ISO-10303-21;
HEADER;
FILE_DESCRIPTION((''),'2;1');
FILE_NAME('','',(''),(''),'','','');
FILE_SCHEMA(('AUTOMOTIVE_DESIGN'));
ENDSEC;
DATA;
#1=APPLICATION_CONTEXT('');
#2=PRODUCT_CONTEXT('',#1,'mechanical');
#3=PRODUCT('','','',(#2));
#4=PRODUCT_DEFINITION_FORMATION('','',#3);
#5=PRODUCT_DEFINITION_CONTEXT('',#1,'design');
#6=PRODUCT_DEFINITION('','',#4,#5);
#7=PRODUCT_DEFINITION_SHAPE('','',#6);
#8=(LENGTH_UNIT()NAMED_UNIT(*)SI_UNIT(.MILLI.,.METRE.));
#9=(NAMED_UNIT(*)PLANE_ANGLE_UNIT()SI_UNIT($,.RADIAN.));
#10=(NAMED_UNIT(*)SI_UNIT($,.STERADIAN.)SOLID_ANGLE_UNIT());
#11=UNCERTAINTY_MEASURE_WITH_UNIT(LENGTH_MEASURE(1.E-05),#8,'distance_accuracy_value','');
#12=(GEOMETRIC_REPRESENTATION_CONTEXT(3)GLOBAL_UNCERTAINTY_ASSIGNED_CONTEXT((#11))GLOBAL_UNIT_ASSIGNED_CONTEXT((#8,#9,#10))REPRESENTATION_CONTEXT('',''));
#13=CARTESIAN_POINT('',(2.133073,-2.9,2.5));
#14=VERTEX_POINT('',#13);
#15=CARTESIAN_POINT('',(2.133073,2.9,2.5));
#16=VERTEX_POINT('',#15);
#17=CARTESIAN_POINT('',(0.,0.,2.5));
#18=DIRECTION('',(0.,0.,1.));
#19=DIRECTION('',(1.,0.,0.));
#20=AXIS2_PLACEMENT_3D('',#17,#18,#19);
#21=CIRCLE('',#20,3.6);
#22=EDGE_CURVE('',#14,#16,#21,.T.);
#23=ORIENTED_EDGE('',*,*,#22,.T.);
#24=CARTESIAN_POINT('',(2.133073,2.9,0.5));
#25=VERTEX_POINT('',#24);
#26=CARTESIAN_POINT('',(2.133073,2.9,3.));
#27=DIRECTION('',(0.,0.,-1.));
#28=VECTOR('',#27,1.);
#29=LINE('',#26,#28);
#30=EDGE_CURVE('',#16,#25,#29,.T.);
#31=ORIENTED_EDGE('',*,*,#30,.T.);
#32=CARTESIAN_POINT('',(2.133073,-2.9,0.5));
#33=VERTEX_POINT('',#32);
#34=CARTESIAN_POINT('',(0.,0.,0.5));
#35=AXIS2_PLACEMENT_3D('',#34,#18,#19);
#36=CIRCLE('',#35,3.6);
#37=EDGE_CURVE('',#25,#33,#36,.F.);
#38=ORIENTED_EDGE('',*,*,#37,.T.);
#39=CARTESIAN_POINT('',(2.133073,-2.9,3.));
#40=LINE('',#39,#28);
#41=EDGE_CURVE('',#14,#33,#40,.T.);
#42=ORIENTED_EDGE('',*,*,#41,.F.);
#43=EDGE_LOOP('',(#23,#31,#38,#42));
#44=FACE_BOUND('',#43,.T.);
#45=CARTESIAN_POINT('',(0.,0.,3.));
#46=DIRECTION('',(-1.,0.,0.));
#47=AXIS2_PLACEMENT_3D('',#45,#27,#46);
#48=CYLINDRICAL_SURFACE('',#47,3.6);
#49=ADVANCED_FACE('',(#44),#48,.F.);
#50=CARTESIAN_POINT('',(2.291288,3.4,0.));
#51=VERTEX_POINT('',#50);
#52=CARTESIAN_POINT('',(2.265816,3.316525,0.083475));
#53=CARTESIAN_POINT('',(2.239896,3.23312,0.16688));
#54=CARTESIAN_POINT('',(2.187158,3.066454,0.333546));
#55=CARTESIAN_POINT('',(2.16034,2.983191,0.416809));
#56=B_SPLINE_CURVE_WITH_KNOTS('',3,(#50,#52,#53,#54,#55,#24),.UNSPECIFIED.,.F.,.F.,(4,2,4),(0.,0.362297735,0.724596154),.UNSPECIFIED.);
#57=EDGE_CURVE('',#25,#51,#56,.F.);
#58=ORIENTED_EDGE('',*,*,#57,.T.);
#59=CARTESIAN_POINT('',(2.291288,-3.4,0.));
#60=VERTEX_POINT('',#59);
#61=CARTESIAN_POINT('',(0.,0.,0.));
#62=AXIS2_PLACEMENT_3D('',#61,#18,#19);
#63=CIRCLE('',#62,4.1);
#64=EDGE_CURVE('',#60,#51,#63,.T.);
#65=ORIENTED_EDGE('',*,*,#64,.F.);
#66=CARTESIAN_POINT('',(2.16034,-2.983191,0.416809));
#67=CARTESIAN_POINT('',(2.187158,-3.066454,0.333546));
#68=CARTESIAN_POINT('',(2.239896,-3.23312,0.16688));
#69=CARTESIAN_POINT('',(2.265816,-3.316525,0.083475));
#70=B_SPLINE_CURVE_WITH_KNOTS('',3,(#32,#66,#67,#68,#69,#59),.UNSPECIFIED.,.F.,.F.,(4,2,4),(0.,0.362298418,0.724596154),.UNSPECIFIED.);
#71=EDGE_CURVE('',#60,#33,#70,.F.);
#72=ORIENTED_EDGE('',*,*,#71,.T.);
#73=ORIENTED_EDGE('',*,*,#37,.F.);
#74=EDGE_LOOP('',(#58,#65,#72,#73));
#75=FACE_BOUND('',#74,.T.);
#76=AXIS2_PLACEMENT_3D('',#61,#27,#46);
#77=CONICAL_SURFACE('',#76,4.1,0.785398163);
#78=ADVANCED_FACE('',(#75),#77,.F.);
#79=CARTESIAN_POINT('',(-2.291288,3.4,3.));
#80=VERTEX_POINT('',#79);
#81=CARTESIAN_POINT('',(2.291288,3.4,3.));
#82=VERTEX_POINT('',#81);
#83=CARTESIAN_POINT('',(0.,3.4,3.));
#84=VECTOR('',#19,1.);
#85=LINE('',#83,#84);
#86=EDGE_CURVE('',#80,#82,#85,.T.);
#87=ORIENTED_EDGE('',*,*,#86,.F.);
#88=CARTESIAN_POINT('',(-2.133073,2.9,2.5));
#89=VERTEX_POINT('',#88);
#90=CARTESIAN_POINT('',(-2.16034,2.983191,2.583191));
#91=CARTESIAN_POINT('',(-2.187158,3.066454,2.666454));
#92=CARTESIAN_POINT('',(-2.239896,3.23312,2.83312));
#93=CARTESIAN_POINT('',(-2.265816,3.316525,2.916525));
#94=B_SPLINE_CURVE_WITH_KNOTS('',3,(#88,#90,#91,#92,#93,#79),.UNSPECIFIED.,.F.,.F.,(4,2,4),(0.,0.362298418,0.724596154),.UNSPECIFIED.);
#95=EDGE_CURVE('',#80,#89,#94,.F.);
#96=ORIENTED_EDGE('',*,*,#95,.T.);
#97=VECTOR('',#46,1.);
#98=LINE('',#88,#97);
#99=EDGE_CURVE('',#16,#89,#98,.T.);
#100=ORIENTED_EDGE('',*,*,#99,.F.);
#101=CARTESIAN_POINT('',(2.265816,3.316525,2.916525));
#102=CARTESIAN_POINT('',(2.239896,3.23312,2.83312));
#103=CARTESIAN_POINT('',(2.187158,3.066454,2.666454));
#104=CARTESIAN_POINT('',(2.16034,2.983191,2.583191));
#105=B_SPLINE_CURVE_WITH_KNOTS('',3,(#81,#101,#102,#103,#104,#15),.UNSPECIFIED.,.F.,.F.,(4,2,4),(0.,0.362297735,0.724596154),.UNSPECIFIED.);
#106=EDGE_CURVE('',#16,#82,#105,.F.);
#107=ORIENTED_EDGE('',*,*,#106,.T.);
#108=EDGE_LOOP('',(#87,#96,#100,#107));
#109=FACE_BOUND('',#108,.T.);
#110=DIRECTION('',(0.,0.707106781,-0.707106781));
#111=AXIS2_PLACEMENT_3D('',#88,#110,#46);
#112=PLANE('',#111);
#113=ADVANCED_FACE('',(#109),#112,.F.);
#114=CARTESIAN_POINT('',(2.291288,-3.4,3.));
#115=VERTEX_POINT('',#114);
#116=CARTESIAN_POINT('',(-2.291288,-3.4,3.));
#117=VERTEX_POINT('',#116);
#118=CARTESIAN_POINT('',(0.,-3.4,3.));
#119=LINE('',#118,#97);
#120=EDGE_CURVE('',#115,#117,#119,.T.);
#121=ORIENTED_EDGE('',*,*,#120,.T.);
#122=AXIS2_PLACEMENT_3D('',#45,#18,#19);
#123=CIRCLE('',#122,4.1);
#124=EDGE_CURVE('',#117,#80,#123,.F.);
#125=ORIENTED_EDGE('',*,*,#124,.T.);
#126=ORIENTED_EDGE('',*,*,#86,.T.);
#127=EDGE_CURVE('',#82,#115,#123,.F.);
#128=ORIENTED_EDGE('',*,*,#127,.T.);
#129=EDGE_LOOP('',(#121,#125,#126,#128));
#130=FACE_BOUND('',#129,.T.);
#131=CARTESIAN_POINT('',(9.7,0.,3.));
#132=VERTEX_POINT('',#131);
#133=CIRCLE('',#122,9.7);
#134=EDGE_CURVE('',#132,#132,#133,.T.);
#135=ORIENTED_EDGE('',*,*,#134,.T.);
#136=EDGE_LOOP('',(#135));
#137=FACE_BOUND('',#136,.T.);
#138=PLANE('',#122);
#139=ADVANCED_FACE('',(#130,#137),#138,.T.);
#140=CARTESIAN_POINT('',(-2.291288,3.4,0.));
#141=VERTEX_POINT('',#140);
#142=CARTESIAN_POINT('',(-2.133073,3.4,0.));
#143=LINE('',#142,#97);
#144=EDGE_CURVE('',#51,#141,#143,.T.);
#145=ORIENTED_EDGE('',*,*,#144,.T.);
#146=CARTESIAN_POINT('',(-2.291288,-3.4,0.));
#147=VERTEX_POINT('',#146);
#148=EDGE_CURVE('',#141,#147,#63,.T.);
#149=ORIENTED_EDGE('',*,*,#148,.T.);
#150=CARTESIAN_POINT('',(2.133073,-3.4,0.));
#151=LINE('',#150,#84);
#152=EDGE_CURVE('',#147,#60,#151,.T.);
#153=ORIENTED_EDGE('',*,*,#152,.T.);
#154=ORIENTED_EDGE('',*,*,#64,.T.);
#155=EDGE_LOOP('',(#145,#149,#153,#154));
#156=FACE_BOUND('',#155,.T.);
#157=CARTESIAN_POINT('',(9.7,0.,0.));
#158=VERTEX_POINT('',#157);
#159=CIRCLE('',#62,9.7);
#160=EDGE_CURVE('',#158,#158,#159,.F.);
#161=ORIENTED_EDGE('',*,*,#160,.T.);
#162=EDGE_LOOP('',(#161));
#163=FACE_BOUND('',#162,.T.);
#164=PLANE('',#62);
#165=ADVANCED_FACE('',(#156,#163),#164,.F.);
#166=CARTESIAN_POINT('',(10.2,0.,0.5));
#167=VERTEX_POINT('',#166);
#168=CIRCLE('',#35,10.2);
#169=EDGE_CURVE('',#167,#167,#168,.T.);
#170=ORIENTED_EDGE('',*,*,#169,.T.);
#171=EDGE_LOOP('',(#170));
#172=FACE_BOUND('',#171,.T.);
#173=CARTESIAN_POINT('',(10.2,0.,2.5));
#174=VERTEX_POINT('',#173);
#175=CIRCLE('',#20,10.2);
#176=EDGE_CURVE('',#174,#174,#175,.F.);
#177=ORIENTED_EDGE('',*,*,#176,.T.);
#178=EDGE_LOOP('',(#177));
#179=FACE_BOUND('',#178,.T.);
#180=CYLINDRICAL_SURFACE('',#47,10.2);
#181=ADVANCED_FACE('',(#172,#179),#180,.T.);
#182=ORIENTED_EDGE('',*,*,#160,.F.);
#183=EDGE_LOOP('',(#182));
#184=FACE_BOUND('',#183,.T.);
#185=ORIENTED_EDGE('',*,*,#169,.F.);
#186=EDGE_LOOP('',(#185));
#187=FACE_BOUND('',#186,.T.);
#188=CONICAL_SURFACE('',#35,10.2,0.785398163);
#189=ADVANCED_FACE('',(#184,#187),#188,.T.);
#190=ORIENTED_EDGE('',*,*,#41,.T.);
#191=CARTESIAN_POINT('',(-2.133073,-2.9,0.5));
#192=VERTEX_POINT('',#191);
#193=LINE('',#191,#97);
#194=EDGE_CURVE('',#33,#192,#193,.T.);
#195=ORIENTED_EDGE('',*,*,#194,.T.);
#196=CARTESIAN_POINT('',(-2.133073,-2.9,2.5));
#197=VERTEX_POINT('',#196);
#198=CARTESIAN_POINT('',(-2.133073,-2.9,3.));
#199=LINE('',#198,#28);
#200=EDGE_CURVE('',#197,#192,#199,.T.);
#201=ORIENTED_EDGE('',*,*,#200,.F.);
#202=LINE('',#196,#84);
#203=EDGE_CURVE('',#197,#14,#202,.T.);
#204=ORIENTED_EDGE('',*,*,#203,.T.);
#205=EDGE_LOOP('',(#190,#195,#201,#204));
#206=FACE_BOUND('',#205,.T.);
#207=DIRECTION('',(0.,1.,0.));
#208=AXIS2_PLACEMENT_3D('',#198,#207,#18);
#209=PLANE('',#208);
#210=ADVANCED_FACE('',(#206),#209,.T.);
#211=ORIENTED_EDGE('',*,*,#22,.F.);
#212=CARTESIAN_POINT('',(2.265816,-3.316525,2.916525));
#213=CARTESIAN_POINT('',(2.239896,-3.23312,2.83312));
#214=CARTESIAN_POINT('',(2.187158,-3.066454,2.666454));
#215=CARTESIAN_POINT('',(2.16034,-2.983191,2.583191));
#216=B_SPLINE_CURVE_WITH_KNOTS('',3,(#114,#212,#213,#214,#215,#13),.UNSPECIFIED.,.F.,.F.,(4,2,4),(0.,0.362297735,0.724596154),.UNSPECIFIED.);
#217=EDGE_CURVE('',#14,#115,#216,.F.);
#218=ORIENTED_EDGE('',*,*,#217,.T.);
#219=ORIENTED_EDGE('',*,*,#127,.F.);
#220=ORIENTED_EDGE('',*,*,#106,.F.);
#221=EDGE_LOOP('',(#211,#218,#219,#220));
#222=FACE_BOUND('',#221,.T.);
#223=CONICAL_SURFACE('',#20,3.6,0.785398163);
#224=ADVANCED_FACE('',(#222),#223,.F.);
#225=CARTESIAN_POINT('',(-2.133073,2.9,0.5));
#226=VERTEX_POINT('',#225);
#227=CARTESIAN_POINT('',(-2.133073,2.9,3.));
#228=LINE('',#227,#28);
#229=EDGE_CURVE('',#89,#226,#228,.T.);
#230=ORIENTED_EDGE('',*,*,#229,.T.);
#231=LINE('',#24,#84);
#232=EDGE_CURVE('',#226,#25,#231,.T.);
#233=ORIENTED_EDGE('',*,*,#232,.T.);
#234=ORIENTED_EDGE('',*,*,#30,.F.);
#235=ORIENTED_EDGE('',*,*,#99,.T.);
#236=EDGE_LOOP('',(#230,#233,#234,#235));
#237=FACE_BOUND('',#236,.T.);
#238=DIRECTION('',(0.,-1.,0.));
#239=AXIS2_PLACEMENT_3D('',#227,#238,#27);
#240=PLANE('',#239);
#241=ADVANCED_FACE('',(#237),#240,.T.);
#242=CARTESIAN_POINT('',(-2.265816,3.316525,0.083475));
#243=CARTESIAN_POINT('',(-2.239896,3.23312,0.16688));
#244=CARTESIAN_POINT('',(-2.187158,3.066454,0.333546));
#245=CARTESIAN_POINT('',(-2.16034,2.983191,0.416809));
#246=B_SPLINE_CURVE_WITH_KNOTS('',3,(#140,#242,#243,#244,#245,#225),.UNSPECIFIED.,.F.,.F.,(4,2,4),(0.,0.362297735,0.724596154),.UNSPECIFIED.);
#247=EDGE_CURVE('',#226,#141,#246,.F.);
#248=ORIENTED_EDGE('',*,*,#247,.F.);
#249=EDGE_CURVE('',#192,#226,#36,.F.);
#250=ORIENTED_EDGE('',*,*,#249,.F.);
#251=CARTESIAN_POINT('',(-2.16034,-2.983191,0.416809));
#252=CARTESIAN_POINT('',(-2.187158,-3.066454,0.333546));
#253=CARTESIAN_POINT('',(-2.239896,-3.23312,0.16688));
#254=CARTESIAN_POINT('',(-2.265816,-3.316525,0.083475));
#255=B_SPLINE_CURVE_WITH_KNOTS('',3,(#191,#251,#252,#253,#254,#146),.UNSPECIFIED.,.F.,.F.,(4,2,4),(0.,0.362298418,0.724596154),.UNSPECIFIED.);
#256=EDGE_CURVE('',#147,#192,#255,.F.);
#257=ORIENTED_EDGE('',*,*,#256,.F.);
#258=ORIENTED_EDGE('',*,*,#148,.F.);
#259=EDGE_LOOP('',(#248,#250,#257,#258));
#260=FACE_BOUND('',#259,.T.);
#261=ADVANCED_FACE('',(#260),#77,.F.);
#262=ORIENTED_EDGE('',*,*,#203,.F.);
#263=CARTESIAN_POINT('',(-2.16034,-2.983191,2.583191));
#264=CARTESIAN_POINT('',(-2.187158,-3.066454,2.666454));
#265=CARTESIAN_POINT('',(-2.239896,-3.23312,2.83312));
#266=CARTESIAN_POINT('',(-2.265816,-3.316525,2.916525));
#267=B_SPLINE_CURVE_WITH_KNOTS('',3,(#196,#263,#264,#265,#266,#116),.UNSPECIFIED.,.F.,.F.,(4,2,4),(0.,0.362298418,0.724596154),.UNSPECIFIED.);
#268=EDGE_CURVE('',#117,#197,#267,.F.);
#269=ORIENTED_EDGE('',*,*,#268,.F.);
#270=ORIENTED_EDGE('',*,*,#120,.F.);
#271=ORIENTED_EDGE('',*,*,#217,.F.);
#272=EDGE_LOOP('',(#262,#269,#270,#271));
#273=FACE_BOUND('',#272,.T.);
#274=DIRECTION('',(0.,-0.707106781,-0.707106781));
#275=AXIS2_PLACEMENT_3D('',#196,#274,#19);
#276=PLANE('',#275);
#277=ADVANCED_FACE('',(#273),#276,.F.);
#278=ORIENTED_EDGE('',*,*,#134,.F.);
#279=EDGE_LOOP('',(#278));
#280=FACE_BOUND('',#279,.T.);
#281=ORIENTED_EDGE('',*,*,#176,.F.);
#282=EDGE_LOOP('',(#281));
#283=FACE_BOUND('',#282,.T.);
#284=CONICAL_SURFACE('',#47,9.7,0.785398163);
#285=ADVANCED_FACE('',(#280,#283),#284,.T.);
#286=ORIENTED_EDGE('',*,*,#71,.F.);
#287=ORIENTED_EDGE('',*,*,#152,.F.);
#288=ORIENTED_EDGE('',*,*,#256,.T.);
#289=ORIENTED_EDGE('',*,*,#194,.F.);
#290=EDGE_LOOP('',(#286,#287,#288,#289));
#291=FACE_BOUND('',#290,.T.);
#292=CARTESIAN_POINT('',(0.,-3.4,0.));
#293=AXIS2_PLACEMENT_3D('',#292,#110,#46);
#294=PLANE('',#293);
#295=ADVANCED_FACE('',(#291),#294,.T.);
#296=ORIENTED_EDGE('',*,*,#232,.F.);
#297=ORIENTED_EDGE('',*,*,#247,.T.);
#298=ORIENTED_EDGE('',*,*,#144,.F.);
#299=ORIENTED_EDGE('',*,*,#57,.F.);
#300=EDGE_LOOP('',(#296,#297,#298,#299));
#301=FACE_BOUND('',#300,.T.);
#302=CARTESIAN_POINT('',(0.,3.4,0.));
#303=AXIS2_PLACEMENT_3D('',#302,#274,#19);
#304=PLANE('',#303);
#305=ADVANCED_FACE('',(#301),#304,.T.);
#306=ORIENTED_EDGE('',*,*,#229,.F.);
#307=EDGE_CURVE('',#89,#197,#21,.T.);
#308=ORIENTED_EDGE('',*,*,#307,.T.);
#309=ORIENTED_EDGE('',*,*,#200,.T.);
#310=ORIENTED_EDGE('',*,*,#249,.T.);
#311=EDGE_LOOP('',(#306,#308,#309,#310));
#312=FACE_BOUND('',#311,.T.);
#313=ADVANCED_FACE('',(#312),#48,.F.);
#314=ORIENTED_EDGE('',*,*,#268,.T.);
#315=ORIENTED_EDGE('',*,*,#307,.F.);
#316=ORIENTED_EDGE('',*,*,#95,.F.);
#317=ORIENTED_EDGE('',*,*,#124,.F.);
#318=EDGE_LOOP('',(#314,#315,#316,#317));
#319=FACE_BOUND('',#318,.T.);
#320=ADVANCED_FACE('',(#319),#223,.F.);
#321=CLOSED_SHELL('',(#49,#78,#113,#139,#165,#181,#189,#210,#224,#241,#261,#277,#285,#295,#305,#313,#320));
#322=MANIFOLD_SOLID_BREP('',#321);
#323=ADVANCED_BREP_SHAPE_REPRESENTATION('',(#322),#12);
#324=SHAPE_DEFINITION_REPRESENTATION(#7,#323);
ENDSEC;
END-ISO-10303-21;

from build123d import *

# Parameters (mm, degrees)
SKETCH1_R           = 10.2
BOSS_EXTRUDE1_DEPTH = 3
CHAMFER1_SIZE       = 0.5


with BuildPart() as part:
    # Sketch1 → Boss-Extrude1 (new body)
    with BuildSketch(Plane.XY):
        Circle(SKETCH1_R)
        with BuildLine():
            Line((-2.133072901, 2.9), (2.133072901, 2.9))
            ThreePointArc((2.133072901, 2.9), (3.6, 0), (2.133072901, -2.9))
            Line((2.133072901, -2.9), (-2.133072901, -2.9))
            ThreePointArc((-2.133072901, -2.9), (-3.6, 0), (-2.133072901, 2.9))
        make_face(mode=Mode.SUBTRACT)
    extrude(amount=BOSS_EXTRUDE1_DEPTH)

    # Chamfer1
    chamfer1_edges = [part.edges().sort_by_distance(p)[0] for p in [
        (3.6, 0, 3),
        (0, 2.9, 3),
        (-10.2, 0, 0),
        (-10.2, 0, 3),
        (-3.6, 0, 0),
        (0, -2.9, 0),
        (3.6, 0, 0),
        (0, 2.9, 0),
        (-3.6, 0, 3),
        (0, -2.9, 3),
    ]]
    chamfer(chamfer1_edges, length=CHAMFER1_SIZE)


solid = part.part
